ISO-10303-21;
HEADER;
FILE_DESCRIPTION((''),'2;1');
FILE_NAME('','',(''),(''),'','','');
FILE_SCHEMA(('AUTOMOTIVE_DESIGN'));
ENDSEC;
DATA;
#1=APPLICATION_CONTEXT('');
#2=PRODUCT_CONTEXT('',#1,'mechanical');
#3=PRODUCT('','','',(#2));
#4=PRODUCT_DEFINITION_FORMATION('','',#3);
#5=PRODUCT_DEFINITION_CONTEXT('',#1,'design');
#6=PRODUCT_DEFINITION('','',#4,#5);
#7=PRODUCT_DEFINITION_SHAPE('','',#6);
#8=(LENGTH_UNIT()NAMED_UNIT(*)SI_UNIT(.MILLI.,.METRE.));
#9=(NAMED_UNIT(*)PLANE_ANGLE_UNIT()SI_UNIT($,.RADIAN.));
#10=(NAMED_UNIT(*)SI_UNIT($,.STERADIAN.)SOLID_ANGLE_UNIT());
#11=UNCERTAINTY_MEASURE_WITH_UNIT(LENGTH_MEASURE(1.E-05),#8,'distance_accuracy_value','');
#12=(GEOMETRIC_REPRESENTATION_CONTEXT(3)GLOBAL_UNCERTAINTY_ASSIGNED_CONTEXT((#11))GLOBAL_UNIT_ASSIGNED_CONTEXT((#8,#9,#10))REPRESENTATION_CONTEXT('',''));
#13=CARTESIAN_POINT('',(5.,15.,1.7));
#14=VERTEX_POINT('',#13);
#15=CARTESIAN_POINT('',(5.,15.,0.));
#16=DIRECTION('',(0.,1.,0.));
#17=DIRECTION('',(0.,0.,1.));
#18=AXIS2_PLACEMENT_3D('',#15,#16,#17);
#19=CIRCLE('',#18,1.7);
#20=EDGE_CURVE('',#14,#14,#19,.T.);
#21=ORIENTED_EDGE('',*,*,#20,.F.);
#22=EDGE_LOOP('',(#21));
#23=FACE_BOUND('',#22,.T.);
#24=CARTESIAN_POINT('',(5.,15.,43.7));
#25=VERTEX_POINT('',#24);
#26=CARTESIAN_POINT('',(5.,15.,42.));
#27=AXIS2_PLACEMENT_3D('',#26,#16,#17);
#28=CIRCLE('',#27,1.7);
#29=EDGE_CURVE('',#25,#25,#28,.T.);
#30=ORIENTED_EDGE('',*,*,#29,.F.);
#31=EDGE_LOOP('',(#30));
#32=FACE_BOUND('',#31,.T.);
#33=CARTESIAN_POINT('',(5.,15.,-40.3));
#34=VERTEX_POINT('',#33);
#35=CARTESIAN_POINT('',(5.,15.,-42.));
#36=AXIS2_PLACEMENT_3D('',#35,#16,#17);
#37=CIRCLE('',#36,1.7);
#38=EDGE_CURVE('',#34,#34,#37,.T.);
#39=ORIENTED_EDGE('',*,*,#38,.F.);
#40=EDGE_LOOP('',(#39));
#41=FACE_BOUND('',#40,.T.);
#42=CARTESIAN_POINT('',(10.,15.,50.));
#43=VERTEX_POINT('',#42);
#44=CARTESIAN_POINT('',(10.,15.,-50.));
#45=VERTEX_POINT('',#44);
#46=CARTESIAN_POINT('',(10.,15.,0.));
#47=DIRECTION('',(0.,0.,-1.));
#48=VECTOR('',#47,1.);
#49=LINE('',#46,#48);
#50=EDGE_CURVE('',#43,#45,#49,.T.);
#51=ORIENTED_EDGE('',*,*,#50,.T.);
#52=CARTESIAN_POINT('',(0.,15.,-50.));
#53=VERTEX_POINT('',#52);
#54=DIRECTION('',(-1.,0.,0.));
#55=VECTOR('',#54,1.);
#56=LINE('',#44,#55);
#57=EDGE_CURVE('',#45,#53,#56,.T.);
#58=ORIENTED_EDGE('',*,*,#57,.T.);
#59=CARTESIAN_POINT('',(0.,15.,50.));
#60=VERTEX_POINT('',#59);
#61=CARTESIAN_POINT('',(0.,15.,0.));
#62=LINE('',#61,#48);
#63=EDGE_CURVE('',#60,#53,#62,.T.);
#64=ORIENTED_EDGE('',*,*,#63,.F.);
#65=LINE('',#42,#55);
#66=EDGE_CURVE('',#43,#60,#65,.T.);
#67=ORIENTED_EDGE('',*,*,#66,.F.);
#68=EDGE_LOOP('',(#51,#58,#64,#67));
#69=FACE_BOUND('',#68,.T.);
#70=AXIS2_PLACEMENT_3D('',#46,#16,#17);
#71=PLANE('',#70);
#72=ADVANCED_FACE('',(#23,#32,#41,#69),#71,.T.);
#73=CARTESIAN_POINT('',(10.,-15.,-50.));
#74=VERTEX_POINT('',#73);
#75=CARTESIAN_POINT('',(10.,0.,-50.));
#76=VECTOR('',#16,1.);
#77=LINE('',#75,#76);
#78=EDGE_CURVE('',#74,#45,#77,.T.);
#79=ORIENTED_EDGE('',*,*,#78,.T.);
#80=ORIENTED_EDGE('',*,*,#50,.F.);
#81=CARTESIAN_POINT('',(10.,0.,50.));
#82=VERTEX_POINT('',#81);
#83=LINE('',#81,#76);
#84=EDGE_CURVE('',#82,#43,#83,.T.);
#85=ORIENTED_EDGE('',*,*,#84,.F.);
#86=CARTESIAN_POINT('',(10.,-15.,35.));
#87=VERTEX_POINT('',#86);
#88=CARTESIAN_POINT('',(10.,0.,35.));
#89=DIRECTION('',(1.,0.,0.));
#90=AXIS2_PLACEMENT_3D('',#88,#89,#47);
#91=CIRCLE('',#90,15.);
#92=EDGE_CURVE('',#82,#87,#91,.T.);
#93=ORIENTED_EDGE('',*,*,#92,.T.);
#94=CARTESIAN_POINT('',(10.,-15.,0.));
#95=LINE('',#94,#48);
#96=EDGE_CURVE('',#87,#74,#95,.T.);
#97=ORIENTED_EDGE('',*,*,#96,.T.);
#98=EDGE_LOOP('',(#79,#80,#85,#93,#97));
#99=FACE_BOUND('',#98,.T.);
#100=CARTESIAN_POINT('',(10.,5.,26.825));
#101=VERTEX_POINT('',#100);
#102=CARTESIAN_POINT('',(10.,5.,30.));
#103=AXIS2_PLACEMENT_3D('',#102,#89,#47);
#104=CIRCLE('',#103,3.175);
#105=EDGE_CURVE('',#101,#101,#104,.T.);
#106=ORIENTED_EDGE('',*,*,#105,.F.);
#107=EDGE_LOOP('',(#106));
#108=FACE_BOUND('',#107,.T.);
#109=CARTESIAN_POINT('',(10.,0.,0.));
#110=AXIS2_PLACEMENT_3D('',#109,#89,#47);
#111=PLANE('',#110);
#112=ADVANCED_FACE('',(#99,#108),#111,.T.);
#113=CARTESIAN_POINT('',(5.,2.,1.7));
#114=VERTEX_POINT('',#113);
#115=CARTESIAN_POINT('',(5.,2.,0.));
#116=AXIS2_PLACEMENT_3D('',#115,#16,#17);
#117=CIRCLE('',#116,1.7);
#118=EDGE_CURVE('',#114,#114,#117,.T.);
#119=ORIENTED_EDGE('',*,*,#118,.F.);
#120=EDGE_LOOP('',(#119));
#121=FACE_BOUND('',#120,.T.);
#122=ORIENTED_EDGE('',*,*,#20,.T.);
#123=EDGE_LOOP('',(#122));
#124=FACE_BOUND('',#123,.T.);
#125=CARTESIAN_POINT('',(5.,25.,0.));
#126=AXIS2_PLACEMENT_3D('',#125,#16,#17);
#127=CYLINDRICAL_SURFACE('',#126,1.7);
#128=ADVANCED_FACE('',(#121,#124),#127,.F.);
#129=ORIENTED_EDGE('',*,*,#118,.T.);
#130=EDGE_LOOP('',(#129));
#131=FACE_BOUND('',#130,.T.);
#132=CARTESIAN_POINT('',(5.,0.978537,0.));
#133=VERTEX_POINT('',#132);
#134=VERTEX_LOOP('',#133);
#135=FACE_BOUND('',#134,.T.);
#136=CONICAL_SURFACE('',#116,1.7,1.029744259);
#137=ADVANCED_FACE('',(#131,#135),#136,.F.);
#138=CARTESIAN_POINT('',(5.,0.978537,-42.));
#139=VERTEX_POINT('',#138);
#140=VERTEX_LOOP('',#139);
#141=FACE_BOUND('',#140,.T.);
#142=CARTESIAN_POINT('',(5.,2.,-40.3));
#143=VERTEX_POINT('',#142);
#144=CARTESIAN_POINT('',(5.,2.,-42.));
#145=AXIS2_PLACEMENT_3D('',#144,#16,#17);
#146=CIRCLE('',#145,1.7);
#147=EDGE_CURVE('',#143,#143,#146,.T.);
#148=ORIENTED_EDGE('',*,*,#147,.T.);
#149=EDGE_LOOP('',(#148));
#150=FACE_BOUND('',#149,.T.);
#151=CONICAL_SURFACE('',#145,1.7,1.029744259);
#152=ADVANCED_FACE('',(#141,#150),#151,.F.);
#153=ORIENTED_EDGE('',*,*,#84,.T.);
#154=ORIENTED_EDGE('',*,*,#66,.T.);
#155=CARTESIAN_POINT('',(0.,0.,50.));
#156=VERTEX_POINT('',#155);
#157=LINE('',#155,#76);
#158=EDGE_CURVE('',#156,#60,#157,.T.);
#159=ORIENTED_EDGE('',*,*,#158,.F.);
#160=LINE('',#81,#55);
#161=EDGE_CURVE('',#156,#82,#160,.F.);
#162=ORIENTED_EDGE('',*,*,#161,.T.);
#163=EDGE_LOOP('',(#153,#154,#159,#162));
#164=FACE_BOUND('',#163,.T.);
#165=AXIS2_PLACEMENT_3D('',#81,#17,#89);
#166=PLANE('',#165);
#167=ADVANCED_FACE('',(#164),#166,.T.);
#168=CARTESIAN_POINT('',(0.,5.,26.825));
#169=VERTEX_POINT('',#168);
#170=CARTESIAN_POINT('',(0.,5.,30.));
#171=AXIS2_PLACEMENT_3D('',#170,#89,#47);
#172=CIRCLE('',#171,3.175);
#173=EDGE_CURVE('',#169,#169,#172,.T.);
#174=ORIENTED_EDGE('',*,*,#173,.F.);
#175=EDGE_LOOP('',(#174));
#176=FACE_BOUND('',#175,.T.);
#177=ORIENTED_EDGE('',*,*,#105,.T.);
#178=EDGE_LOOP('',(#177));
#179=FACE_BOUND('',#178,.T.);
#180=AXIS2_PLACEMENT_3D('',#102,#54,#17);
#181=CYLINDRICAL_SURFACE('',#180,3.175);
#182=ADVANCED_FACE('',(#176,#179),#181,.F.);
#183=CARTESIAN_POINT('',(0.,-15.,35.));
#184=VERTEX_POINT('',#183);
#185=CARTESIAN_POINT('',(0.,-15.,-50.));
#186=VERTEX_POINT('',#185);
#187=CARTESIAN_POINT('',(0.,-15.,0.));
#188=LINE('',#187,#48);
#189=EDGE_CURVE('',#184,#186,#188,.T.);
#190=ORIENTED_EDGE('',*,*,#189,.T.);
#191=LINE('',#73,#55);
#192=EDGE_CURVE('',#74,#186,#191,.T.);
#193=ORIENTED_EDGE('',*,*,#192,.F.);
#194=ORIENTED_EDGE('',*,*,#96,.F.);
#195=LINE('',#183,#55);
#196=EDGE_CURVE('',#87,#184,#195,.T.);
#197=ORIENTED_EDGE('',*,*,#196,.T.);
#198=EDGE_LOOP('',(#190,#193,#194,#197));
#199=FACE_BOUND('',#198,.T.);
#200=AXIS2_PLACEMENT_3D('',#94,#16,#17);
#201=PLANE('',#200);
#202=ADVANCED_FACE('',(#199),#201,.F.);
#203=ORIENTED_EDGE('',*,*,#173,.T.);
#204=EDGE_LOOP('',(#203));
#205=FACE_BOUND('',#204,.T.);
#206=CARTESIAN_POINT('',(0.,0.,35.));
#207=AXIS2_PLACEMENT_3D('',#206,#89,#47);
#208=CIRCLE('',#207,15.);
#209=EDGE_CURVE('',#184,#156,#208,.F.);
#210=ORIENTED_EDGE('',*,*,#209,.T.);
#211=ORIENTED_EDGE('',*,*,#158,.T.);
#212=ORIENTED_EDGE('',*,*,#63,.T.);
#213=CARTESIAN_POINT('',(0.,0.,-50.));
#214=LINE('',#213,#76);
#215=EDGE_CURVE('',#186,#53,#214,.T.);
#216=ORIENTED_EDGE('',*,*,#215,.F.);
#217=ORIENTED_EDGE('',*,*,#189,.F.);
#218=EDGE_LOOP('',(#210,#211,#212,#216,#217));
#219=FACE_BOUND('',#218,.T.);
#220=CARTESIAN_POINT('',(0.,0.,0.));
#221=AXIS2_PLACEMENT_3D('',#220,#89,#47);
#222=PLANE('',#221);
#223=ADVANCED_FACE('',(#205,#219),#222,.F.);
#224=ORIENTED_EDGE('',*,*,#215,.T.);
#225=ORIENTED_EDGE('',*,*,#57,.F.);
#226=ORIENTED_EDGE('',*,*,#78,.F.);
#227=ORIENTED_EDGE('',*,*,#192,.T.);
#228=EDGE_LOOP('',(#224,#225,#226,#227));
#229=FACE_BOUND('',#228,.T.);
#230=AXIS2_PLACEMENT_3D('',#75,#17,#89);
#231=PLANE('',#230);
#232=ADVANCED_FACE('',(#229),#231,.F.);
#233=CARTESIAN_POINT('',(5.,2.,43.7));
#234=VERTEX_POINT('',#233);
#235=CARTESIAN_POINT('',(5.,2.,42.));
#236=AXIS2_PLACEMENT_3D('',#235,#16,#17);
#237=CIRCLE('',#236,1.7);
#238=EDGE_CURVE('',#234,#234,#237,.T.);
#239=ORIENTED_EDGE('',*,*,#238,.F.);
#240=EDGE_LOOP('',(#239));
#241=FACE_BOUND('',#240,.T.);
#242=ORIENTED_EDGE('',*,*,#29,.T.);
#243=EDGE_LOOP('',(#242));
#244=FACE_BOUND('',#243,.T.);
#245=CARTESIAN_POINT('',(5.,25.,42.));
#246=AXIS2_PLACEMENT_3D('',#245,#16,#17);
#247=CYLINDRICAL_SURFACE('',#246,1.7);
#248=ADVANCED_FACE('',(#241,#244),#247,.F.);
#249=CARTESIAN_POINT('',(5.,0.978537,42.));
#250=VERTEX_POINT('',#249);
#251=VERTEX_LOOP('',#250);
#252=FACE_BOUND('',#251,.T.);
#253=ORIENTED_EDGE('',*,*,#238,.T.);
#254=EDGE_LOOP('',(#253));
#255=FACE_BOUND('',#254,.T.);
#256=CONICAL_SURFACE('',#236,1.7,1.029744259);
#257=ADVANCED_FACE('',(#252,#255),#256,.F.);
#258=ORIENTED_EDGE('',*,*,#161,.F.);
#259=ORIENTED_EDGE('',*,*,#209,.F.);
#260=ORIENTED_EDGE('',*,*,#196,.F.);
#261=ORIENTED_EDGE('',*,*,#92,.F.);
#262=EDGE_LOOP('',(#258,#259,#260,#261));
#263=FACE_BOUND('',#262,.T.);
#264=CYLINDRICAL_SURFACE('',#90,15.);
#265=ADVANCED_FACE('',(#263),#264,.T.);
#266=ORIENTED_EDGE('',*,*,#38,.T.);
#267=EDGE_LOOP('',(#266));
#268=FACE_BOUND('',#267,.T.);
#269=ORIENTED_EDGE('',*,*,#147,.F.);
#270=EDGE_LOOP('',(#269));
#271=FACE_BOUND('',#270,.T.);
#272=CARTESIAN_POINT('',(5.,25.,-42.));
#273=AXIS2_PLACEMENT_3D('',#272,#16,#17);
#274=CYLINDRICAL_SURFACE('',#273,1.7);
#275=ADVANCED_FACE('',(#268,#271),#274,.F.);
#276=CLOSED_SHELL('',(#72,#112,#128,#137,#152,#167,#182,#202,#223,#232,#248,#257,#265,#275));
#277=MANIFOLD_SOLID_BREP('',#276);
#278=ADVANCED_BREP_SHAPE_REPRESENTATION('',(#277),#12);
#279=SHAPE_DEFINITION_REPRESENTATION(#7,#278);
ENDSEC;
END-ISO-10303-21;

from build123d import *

# Parameters (mm, degrees)
SKETCH1_W                     = 100
SKETCH1_H                     = 30
SKETCH1_R                     = 3.175
BOSS_EXTRUDE1_DEPTH           = 10
FILLET1_R                     = 15
CBORE_FOR_M3_SHCS_D           = 3.4
CBORE_FOR_M3_SHCS_DEPTH       = 23
CBORE_FOR_M3_SHCS_CBORE_D     = 6.5
CBORE_FOR_M3_SHCS_CBORE_DEPTH = 3
CBORE_FOR_M3_SHCS_TIP         = 1.021463052


with BuildPart() as part:
    # Sketch1 → Boss-Extrude1 (new body)
    with BuildSketch(Plane(origin=(0, 0, 0), x_dir=(0, 0, -1), z_dir=(1, 0, 0))):
        Rectangle(SKETCH1_W, SKETCH1_H)
        with Locations((-30, 5)):
            Circle(SKETCH1_R, mode=Mode.SUBTRACT)
    extrude(amount=BOSS_EXTRUDE1_DEPTH)

    # Fillet1
    fillet1_edges = [part.edges().sort_by_distance(p)[0] for p in [
        (5, -15, 50),
    ]]
    fillet(fillet1_edges, radius=FILLET1_R)

    # CBORE for M3 SHCS
    with Locations(Plane(origin=(-616.293536786, 25, -1323.282701689), x_dir=(1, 0, 0), z_dir=(0, 1, 0))):
        with Locations((731.293536786, -1281.282701689), (731.293536786, -1359.282701689), (621.293536786, -1281.282701689), (621.293536786, -1365.282701689), (621.293536786, -1323.282701689), (731.293536786, -1320.282701689)):
            CounterBoreHole(CBORE_FOR_M3_SHCS_D / 2, CBORE_FOR_M3_SHCS_CBORE_D / 2, CBORE_FOR_M3_SHCS_CBORE_DEPTH, depth=CBORE_FOR_M3_SHCS_DEPTH)
            with Locations((0, 0, -(CBORE_FOR_M3_SHCS_DEPTH + CBORE_FOR_M3_SHCS_TIP / 2))):  # 118° drill point
                Cone(0, CBORE_FOR_M3_SHCS_D / 2, CBORE_FOR_M3_SHCS_TIP, mode=Mode.SUBTRACT)


solid = part.part
